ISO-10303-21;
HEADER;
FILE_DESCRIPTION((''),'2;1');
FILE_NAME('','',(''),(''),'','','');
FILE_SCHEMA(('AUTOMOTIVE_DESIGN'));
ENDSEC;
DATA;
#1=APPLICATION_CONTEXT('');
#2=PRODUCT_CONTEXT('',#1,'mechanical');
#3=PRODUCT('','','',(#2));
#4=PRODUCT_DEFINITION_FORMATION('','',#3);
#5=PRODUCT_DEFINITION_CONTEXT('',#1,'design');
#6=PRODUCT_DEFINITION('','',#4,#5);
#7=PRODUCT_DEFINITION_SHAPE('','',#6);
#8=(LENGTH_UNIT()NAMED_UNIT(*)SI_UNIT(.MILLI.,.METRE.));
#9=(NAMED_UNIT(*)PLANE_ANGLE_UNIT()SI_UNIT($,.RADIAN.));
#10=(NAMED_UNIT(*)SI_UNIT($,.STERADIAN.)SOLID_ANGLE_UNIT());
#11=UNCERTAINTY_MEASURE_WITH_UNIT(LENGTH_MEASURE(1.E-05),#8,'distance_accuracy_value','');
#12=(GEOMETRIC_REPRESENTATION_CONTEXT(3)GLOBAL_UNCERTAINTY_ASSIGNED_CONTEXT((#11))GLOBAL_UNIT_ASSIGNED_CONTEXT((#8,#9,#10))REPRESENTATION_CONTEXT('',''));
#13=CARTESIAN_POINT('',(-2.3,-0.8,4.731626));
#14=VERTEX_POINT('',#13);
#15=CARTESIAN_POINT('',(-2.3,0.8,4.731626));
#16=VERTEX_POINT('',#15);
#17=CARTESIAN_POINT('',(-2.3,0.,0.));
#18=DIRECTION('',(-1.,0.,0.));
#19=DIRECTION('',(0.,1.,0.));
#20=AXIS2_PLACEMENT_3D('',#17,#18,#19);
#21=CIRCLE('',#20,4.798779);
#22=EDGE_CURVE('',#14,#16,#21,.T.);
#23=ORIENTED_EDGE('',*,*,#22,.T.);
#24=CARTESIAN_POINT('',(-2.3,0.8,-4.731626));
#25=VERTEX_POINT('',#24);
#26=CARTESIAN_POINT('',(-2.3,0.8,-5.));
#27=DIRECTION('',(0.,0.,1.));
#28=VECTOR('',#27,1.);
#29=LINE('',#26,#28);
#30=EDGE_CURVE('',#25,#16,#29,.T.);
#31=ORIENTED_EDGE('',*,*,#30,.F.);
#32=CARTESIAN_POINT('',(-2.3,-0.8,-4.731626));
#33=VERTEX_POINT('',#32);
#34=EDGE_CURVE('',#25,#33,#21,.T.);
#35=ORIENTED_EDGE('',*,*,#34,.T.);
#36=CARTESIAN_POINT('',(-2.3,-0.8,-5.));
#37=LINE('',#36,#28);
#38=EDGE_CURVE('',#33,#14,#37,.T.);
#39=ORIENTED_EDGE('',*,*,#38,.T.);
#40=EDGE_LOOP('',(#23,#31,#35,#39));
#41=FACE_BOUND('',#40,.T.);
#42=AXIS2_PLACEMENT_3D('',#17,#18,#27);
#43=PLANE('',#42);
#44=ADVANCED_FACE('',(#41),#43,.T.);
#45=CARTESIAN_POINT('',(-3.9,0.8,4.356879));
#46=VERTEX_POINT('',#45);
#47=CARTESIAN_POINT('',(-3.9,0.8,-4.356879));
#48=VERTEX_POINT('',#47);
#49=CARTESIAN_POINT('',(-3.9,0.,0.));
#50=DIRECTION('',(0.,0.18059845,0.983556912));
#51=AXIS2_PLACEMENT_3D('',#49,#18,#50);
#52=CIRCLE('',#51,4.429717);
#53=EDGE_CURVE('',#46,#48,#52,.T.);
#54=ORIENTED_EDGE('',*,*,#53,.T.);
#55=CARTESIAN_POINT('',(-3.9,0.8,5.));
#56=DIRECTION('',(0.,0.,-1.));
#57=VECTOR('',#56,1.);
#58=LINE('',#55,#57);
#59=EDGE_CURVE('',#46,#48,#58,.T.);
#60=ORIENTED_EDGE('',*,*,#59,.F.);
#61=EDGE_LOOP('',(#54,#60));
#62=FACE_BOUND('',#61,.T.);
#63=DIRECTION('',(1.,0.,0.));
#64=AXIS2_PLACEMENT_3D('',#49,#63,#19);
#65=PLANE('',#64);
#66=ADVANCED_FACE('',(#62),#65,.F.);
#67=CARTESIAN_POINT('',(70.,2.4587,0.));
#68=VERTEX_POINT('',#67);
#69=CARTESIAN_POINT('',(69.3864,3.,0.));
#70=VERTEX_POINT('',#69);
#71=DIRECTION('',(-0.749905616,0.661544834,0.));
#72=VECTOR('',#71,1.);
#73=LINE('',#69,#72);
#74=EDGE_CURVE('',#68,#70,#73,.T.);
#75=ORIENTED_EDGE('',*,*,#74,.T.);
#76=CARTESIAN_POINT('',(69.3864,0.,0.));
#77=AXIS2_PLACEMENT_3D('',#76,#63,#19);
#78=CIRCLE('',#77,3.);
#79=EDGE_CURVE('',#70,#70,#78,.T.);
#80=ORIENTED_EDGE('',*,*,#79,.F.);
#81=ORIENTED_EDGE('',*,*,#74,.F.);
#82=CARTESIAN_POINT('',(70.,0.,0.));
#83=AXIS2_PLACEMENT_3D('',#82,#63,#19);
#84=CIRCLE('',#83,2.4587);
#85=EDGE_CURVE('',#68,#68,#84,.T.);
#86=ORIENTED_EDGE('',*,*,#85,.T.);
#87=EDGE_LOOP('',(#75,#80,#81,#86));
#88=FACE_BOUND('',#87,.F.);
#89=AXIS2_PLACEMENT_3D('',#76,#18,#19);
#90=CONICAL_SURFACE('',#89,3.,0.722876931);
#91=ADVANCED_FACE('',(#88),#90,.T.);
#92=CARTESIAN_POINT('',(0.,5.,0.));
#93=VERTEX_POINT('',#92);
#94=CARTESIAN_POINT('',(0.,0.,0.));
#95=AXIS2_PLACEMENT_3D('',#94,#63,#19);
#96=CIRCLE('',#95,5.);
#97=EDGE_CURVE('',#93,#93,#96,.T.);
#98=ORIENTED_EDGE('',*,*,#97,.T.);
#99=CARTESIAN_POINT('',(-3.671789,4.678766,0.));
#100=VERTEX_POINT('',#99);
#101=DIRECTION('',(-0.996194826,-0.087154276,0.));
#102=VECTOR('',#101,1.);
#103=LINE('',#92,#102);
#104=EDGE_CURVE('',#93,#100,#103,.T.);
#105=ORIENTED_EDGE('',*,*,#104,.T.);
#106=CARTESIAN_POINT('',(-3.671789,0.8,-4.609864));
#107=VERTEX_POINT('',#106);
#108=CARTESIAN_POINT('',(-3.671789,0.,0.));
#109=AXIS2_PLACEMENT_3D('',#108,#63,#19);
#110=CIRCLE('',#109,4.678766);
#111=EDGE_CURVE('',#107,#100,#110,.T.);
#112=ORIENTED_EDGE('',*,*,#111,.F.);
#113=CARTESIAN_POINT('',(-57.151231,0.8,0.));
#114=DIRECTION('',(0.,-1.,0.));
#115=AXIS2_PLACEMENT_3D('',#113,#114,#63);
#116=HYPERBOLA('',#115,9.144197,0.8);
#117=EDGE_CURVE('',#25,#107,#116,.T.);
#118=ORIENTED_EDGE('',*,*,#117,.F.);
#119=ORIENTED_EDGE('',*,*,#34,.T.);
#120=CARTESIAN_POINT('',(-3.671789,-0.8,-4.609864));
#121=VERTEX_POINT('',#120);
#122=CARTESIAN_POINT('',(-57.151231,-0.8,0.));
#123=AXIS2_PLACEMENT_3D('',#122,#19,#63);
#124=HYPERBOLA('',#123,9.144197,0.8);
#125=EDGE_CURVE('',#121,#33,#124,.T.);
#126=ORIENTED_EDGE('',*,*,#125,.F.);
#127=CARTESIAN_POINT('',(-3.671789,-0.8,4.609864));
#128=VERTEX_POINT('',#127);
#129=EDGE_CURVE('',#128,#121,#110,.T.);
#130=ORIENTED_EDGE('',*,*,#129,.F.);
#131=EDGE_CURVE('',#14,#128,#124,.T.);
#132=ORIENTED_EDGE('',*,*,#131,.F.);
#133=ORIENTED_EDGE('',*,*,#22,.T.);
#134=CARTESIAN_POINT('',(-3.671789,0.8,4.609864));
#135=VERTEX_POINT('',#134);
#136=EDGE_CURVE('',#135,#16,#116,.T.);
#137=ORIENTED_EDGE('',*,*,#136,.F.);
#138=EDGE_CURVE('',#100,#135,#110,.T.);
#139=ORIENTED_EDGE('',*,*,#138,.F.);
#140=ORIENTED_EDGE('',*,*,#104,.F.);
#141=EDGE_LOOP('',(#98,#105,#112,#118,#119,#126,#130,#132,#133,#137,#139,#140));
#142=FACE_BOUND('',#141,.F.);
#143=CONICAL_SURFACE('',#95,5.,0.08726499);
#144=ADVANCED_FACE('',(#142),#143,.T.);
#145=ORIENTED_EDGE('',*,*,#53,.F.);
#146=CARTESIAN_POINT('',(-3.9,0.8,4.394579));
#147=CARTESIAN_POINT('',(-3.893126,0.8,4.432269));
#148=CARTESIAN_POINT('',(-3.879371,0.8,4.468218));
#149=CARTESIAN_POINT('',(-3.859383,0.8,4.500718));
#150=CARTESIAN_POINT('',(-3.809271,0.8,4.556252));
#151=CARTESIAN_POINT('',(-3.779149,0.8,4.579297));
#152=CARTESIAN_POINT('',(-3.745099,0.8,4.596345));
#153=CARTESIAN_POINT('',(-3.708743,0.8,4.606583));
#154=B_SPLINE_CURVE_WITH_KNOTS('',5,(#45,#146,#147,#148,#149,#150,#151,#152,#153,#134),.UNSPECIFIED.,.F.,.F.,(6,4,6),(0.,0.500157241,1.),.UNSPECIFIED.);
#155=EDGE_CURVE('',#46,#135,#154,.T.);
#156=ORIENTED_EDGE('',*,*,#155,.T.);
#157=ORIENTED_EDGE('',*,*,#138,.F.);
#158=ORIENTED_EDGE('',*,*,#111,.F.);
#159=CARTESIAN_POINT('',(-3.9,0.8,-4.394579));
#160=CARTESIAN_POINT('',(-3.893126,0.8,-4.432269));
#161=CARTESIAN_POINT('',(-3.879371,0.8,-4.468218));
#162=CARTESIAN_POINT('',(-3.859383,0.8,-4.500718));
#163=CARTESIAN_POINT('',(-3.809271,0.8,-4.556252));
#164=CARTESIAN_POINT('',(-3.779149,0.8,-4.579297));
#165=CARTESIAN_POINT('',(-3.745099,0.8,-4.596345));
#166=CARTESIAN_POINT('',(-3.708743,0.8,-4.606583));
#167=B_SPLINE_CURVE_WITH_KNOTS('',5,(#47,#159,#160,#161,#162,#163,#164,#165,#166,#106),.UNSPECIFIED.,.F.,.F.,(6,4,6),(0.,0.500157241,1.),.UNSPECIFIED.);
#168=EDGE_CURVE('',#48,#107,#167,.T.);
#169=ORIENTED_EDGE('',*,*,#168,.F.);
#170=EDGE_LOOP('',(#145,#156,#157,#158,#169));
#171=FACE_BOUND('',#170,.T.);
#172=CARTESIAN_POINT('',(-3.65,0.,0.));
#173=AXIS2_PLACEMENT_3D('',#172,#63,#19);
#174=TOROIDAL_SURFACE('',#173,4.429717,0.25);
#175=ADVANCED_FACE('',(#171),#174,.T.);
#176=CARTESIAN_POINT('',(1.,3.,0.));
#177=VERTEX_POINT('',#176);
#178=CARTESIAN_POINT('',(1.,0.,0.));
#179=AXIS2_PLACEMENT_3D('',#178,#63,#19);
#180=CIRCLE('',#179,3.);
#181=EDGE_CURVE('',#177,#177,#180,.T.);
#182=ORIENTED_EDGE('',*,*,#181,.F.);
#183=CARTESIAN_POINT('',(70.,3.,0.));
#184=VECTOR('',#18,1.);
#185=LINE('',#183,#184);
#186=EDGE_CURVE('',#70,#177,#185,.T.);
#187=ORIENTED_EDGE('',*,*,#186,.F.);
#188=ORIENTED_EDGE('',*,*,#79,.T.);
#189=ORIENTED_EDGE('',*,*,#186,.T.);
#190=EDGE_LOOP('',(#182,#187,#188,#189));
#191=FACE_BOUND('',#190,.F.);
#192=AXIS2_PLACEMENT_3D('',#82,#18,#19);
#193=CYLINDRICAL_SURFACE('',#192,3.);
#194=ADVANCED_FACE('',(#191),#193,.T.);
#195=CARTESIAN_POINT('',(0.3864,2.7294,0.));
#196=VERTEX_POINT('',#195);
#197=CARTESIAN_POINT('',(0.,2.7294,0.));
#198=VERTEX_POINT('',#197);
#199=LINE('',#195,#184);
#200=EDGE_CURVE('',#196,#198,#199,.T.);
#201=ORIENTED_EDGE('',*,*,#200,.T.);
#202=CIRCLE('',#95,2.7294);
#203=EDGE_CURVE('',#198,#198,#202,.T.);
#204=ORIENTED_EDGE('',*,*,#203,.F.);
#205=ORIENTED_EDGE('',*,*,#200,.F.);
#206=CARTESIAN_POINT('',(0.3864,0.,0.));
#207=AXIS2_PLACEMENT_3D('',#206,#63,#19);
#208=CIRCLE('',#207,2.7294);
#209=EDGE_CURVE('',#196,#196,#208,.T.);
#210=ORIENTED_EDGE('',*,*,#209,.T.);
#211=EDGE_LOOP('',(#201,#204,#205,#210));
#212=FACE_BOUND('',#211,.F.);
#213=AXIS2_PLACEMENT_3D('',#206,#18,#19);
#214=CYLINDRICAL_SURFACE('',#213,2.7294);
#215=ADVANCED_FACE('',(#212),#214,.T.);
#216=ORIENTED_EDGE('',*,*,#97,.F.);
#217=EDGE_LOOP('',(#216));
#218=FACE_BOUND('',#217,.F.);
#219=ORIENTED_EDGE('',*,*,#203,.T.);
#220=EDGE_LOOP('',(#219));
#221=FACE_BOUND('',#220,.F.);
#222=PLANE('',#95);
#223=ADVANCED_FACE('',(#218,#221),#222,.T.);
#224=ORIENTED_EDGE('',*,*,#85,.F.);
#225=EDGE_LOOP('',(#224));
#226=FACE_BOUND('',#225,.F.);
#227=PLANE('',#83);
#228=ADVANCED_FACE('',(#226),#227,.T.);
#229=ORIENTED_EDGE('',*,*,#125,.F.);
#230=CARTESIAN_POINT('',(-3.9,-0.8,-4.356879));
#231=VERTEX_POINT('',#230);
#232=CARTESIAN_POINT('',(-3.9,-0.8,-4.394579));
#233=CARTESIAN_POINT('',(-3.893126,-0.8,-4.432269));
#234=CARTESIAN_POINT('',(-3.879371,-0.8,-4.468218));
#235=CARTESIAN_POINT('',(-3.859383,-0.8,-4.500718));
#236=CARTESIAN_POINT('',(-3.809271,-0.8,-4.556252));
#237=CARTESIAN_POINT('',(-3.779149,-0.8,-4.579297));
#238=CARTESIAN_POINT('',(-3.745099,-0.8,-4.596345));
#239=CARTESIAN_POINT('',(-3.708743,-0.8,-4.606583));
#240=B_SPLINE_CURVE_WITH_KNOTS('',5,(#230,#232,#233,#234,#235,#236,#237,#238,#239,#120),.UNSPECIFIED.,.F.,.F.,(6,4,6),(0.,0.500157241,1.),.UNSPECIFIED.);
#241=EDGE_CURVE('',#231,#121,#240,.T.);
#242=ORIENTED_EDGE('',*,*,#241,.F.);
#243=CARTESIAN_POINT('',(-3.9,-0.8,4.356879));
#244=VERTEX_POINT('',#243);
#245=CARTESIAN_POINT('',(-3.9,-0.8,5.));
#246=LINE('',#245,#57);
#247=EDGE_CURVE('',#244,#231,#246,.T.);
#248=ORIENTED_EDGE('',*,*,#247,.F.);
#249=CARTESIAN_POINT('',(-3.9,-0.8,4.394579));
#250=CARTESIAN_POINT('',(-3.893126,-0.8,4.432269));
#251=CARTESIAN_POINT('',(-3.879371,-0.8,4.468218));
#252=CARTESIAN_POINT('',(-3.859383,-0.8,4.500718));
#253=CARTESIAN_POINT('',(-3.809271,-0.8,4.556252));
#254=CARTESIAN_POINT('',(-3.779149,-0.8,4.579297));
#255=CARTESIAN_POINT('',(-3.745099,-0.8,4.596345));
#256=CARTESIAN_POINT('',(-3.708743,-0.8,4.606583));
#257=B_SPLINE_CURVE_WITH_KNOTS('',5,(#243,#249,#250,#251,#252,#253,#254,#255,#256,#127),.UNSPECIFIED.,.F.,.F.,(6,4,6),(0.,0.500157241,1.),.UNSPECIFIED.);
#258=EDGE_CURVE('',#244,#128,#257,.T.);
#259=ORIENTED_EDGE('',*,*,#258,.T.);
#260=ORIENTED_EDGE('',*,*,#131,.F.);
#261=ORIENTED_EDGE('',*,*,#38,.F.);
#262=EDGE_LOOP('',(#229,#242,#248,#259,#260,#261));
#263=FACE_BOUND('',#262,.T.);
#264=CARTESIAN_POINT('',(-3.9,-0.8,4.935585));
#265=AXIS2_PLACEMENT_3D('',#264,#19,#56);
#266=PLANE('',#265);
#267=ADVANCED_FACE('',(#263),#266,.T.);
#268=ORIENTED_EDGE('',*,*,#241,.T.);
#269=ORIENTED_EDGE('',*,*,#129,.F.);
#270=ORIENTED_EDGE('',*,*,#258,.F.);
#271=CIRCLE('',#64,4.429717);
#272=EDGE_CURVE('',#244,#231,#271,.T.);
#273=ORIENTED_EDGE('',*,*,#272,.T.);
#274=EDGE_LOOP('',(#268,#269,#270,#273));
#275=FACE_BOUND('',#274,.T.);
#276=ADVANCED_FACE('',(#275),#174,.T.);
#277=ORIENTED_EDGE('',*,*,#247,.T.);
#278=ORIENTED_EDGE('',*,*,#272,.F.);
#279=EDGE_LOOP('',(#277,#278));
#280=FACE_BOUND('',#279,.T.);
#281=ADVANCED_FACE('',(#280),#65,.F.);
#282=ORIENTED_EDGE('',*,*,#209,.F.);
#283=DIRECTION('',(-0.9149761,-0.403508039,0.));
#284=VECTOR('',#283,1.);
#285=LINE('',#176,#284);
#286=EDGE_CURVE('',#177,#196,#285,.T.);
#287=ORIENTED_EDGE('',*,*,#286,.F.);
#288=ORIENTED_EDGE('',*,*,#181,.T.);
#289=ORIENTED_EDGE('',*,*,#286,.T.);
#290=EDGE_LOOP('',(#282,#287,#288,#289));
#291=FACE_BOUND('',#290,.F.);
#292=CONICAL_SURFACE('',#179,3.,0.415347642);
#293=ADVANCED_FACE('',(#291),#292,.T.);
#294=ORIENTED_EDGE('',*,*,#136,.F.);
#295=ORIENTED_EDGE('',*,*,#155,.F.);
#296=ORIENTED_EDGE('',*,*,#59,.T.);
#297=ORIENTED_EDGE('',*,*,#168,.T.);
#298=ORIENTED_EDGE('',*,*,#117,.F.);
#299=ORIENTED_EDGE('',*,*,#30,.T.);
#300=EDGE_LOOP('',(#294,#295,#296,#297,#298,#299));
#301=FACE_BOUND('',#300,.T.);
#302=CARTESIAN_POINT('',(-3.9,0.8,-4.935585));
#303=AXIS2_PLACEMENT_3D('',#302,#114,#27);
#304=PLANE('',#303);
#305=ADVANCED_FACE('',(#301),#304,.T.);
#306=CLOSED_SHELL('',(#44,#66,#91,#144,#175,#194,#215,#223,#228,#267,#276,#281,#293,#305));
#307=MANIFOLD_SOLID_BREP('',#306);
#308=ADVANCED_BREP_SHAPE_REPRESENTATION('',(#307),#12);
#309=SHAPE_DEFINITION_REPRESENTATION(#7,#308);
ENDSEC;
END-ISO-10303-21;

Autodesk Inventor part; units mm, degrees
ref_plane "YZ Plane" through (0, 0, 0) normal (1, 0, 0) x (0, 1, 0)
ref_plane "XZ Plane" through (0, 0, 0) normal (0, 1, 0) x (-1, 0, 0)
sketch "Skizze1" plane through (0, 0, 0) normal (0, 0, 1) x (1, 0, 0)
  line L0 (-3.9, 0) -> (70, 0)
  line L1 (70, 0) -> (70, 3)
  line L2 (70, 3) -> (1, 3)
  line L3 (1, 3) -> (0.3864, 2.7294)
  line L4 (0.3864, 2.7294) -> (0, 2.7294)
  line L5 (0, 2.7294) -> (0, 5)
  line L6 (-18.68, 0) -> (84.78, 0) projected
  line L7 (0, -1) -> (0, 6) projected
  line L8 (-3.9, 0) -> (-3.9, 4.6588)
  line L9 (0, 5) -> (-3.9, 4.6588)
  line L10 (1, 3) -> (0, 3) construction
  dimension "d0" = 70
  dimension "d1" = 69
  dimension "d2" = 0.6136
  dimension "d3" = 3.9
  dimension "d4" = 6
  dimension "d5" = 5.4587
  dimension "d9" = 10
  dimension "d10" = 5
revolve "Körper" add sketch "Skizze1" angle 360 about axis through (-3.9, 0, 0) along (1, 0, 0)
sketch "Skizze2" plane through (-3.9, 0, 0) normal (-1, 0, 0) x (0, 0, 1)
  circle A0 centre (0, 0) radius 5 projected
  line L0 (0, 0) -> (0, 4.6588) projected
  line L1 (-5, 0.8) -> (5, 0.8)
  line L2 (5, 0.8) -> (5, -0.8)
  line L3 (5, -0.8) -> (-5, -0.8)
  line L4 (-5, -0.8) -> (-5, 0.8)
  line L5 (-5, 0) -> (5, 0) construction
  line L6 (0, 0.8) -> (0, -0.8) construction
  dimension "d11" = 1.6
  dimension "d12" = 10
fillet "Rundung1" radius 0.25 1 edges at (-3.9, -4.6588, 0)
extrude "Loch" cut sketch "Skizze2" against normal blind 1.6 contours A0 L3 L1 | L2 L3 A0 | A0 L1 L2 | A0 L4 L1 | L3 L4 A0
thread "Gewinde" size "M6x1" class "6g" standard "ISO Metric profile" full length
chamfer "Fase1" distance 0.5413 distance2 0.6136 1 edges at (70, -3, 0) measured on face at (70, 1.3648, -1.3588)
ref_plane "Work Plane1" through (30.1625, 0, 0) normal (0, 0, -1) x (1, 0, 0)
equation "\"d11\" = SBR"
equation "\"d12\" = KOD"
equation "\"d14\" = RR"
equation "\"d19\" = STI"
equation "\"d15\" = GEL"
equation "\"d17\" = -0.5 * SPD + 0.5 * GD"
equation "\"d3\" = KOH"
equation "\"d4\" = GD"
equation "\"d5\" = BDM"
equation "\"d9\" = KOD"
equation "\"d10\" = KEWI"
equation "\"GD\" = 6"
equation "\"GEL\" = 38"
equation "\"KOD\" = 10"
equation "\"KOH\" = 3.9"
equation "\"GAL\" = 0.61345 * PTC"
equation "\"SPD\" = 4.91747"
equation "\"BDM\" = 5.45873"
equation "\"GUL\" = 0.61345 * PTC"
equation "\"RR\" = 0.25"
equation "\"SBR\" = 1.6"
equation "\"STI\" = 1.6"
equation "\"KEWI\" = 5deg"
equation "\"PTC\" = 1"
equation "\"THREADDIA\" = 6"
equation "\"TOA\" = 30deg"
equation "\"NND\" = 6"
equation "\"GD1\" = THREADDIA - 1.2269 * PTC"
properties part number "DIN 84 - M6 x 70" material "Stahl, weich"
